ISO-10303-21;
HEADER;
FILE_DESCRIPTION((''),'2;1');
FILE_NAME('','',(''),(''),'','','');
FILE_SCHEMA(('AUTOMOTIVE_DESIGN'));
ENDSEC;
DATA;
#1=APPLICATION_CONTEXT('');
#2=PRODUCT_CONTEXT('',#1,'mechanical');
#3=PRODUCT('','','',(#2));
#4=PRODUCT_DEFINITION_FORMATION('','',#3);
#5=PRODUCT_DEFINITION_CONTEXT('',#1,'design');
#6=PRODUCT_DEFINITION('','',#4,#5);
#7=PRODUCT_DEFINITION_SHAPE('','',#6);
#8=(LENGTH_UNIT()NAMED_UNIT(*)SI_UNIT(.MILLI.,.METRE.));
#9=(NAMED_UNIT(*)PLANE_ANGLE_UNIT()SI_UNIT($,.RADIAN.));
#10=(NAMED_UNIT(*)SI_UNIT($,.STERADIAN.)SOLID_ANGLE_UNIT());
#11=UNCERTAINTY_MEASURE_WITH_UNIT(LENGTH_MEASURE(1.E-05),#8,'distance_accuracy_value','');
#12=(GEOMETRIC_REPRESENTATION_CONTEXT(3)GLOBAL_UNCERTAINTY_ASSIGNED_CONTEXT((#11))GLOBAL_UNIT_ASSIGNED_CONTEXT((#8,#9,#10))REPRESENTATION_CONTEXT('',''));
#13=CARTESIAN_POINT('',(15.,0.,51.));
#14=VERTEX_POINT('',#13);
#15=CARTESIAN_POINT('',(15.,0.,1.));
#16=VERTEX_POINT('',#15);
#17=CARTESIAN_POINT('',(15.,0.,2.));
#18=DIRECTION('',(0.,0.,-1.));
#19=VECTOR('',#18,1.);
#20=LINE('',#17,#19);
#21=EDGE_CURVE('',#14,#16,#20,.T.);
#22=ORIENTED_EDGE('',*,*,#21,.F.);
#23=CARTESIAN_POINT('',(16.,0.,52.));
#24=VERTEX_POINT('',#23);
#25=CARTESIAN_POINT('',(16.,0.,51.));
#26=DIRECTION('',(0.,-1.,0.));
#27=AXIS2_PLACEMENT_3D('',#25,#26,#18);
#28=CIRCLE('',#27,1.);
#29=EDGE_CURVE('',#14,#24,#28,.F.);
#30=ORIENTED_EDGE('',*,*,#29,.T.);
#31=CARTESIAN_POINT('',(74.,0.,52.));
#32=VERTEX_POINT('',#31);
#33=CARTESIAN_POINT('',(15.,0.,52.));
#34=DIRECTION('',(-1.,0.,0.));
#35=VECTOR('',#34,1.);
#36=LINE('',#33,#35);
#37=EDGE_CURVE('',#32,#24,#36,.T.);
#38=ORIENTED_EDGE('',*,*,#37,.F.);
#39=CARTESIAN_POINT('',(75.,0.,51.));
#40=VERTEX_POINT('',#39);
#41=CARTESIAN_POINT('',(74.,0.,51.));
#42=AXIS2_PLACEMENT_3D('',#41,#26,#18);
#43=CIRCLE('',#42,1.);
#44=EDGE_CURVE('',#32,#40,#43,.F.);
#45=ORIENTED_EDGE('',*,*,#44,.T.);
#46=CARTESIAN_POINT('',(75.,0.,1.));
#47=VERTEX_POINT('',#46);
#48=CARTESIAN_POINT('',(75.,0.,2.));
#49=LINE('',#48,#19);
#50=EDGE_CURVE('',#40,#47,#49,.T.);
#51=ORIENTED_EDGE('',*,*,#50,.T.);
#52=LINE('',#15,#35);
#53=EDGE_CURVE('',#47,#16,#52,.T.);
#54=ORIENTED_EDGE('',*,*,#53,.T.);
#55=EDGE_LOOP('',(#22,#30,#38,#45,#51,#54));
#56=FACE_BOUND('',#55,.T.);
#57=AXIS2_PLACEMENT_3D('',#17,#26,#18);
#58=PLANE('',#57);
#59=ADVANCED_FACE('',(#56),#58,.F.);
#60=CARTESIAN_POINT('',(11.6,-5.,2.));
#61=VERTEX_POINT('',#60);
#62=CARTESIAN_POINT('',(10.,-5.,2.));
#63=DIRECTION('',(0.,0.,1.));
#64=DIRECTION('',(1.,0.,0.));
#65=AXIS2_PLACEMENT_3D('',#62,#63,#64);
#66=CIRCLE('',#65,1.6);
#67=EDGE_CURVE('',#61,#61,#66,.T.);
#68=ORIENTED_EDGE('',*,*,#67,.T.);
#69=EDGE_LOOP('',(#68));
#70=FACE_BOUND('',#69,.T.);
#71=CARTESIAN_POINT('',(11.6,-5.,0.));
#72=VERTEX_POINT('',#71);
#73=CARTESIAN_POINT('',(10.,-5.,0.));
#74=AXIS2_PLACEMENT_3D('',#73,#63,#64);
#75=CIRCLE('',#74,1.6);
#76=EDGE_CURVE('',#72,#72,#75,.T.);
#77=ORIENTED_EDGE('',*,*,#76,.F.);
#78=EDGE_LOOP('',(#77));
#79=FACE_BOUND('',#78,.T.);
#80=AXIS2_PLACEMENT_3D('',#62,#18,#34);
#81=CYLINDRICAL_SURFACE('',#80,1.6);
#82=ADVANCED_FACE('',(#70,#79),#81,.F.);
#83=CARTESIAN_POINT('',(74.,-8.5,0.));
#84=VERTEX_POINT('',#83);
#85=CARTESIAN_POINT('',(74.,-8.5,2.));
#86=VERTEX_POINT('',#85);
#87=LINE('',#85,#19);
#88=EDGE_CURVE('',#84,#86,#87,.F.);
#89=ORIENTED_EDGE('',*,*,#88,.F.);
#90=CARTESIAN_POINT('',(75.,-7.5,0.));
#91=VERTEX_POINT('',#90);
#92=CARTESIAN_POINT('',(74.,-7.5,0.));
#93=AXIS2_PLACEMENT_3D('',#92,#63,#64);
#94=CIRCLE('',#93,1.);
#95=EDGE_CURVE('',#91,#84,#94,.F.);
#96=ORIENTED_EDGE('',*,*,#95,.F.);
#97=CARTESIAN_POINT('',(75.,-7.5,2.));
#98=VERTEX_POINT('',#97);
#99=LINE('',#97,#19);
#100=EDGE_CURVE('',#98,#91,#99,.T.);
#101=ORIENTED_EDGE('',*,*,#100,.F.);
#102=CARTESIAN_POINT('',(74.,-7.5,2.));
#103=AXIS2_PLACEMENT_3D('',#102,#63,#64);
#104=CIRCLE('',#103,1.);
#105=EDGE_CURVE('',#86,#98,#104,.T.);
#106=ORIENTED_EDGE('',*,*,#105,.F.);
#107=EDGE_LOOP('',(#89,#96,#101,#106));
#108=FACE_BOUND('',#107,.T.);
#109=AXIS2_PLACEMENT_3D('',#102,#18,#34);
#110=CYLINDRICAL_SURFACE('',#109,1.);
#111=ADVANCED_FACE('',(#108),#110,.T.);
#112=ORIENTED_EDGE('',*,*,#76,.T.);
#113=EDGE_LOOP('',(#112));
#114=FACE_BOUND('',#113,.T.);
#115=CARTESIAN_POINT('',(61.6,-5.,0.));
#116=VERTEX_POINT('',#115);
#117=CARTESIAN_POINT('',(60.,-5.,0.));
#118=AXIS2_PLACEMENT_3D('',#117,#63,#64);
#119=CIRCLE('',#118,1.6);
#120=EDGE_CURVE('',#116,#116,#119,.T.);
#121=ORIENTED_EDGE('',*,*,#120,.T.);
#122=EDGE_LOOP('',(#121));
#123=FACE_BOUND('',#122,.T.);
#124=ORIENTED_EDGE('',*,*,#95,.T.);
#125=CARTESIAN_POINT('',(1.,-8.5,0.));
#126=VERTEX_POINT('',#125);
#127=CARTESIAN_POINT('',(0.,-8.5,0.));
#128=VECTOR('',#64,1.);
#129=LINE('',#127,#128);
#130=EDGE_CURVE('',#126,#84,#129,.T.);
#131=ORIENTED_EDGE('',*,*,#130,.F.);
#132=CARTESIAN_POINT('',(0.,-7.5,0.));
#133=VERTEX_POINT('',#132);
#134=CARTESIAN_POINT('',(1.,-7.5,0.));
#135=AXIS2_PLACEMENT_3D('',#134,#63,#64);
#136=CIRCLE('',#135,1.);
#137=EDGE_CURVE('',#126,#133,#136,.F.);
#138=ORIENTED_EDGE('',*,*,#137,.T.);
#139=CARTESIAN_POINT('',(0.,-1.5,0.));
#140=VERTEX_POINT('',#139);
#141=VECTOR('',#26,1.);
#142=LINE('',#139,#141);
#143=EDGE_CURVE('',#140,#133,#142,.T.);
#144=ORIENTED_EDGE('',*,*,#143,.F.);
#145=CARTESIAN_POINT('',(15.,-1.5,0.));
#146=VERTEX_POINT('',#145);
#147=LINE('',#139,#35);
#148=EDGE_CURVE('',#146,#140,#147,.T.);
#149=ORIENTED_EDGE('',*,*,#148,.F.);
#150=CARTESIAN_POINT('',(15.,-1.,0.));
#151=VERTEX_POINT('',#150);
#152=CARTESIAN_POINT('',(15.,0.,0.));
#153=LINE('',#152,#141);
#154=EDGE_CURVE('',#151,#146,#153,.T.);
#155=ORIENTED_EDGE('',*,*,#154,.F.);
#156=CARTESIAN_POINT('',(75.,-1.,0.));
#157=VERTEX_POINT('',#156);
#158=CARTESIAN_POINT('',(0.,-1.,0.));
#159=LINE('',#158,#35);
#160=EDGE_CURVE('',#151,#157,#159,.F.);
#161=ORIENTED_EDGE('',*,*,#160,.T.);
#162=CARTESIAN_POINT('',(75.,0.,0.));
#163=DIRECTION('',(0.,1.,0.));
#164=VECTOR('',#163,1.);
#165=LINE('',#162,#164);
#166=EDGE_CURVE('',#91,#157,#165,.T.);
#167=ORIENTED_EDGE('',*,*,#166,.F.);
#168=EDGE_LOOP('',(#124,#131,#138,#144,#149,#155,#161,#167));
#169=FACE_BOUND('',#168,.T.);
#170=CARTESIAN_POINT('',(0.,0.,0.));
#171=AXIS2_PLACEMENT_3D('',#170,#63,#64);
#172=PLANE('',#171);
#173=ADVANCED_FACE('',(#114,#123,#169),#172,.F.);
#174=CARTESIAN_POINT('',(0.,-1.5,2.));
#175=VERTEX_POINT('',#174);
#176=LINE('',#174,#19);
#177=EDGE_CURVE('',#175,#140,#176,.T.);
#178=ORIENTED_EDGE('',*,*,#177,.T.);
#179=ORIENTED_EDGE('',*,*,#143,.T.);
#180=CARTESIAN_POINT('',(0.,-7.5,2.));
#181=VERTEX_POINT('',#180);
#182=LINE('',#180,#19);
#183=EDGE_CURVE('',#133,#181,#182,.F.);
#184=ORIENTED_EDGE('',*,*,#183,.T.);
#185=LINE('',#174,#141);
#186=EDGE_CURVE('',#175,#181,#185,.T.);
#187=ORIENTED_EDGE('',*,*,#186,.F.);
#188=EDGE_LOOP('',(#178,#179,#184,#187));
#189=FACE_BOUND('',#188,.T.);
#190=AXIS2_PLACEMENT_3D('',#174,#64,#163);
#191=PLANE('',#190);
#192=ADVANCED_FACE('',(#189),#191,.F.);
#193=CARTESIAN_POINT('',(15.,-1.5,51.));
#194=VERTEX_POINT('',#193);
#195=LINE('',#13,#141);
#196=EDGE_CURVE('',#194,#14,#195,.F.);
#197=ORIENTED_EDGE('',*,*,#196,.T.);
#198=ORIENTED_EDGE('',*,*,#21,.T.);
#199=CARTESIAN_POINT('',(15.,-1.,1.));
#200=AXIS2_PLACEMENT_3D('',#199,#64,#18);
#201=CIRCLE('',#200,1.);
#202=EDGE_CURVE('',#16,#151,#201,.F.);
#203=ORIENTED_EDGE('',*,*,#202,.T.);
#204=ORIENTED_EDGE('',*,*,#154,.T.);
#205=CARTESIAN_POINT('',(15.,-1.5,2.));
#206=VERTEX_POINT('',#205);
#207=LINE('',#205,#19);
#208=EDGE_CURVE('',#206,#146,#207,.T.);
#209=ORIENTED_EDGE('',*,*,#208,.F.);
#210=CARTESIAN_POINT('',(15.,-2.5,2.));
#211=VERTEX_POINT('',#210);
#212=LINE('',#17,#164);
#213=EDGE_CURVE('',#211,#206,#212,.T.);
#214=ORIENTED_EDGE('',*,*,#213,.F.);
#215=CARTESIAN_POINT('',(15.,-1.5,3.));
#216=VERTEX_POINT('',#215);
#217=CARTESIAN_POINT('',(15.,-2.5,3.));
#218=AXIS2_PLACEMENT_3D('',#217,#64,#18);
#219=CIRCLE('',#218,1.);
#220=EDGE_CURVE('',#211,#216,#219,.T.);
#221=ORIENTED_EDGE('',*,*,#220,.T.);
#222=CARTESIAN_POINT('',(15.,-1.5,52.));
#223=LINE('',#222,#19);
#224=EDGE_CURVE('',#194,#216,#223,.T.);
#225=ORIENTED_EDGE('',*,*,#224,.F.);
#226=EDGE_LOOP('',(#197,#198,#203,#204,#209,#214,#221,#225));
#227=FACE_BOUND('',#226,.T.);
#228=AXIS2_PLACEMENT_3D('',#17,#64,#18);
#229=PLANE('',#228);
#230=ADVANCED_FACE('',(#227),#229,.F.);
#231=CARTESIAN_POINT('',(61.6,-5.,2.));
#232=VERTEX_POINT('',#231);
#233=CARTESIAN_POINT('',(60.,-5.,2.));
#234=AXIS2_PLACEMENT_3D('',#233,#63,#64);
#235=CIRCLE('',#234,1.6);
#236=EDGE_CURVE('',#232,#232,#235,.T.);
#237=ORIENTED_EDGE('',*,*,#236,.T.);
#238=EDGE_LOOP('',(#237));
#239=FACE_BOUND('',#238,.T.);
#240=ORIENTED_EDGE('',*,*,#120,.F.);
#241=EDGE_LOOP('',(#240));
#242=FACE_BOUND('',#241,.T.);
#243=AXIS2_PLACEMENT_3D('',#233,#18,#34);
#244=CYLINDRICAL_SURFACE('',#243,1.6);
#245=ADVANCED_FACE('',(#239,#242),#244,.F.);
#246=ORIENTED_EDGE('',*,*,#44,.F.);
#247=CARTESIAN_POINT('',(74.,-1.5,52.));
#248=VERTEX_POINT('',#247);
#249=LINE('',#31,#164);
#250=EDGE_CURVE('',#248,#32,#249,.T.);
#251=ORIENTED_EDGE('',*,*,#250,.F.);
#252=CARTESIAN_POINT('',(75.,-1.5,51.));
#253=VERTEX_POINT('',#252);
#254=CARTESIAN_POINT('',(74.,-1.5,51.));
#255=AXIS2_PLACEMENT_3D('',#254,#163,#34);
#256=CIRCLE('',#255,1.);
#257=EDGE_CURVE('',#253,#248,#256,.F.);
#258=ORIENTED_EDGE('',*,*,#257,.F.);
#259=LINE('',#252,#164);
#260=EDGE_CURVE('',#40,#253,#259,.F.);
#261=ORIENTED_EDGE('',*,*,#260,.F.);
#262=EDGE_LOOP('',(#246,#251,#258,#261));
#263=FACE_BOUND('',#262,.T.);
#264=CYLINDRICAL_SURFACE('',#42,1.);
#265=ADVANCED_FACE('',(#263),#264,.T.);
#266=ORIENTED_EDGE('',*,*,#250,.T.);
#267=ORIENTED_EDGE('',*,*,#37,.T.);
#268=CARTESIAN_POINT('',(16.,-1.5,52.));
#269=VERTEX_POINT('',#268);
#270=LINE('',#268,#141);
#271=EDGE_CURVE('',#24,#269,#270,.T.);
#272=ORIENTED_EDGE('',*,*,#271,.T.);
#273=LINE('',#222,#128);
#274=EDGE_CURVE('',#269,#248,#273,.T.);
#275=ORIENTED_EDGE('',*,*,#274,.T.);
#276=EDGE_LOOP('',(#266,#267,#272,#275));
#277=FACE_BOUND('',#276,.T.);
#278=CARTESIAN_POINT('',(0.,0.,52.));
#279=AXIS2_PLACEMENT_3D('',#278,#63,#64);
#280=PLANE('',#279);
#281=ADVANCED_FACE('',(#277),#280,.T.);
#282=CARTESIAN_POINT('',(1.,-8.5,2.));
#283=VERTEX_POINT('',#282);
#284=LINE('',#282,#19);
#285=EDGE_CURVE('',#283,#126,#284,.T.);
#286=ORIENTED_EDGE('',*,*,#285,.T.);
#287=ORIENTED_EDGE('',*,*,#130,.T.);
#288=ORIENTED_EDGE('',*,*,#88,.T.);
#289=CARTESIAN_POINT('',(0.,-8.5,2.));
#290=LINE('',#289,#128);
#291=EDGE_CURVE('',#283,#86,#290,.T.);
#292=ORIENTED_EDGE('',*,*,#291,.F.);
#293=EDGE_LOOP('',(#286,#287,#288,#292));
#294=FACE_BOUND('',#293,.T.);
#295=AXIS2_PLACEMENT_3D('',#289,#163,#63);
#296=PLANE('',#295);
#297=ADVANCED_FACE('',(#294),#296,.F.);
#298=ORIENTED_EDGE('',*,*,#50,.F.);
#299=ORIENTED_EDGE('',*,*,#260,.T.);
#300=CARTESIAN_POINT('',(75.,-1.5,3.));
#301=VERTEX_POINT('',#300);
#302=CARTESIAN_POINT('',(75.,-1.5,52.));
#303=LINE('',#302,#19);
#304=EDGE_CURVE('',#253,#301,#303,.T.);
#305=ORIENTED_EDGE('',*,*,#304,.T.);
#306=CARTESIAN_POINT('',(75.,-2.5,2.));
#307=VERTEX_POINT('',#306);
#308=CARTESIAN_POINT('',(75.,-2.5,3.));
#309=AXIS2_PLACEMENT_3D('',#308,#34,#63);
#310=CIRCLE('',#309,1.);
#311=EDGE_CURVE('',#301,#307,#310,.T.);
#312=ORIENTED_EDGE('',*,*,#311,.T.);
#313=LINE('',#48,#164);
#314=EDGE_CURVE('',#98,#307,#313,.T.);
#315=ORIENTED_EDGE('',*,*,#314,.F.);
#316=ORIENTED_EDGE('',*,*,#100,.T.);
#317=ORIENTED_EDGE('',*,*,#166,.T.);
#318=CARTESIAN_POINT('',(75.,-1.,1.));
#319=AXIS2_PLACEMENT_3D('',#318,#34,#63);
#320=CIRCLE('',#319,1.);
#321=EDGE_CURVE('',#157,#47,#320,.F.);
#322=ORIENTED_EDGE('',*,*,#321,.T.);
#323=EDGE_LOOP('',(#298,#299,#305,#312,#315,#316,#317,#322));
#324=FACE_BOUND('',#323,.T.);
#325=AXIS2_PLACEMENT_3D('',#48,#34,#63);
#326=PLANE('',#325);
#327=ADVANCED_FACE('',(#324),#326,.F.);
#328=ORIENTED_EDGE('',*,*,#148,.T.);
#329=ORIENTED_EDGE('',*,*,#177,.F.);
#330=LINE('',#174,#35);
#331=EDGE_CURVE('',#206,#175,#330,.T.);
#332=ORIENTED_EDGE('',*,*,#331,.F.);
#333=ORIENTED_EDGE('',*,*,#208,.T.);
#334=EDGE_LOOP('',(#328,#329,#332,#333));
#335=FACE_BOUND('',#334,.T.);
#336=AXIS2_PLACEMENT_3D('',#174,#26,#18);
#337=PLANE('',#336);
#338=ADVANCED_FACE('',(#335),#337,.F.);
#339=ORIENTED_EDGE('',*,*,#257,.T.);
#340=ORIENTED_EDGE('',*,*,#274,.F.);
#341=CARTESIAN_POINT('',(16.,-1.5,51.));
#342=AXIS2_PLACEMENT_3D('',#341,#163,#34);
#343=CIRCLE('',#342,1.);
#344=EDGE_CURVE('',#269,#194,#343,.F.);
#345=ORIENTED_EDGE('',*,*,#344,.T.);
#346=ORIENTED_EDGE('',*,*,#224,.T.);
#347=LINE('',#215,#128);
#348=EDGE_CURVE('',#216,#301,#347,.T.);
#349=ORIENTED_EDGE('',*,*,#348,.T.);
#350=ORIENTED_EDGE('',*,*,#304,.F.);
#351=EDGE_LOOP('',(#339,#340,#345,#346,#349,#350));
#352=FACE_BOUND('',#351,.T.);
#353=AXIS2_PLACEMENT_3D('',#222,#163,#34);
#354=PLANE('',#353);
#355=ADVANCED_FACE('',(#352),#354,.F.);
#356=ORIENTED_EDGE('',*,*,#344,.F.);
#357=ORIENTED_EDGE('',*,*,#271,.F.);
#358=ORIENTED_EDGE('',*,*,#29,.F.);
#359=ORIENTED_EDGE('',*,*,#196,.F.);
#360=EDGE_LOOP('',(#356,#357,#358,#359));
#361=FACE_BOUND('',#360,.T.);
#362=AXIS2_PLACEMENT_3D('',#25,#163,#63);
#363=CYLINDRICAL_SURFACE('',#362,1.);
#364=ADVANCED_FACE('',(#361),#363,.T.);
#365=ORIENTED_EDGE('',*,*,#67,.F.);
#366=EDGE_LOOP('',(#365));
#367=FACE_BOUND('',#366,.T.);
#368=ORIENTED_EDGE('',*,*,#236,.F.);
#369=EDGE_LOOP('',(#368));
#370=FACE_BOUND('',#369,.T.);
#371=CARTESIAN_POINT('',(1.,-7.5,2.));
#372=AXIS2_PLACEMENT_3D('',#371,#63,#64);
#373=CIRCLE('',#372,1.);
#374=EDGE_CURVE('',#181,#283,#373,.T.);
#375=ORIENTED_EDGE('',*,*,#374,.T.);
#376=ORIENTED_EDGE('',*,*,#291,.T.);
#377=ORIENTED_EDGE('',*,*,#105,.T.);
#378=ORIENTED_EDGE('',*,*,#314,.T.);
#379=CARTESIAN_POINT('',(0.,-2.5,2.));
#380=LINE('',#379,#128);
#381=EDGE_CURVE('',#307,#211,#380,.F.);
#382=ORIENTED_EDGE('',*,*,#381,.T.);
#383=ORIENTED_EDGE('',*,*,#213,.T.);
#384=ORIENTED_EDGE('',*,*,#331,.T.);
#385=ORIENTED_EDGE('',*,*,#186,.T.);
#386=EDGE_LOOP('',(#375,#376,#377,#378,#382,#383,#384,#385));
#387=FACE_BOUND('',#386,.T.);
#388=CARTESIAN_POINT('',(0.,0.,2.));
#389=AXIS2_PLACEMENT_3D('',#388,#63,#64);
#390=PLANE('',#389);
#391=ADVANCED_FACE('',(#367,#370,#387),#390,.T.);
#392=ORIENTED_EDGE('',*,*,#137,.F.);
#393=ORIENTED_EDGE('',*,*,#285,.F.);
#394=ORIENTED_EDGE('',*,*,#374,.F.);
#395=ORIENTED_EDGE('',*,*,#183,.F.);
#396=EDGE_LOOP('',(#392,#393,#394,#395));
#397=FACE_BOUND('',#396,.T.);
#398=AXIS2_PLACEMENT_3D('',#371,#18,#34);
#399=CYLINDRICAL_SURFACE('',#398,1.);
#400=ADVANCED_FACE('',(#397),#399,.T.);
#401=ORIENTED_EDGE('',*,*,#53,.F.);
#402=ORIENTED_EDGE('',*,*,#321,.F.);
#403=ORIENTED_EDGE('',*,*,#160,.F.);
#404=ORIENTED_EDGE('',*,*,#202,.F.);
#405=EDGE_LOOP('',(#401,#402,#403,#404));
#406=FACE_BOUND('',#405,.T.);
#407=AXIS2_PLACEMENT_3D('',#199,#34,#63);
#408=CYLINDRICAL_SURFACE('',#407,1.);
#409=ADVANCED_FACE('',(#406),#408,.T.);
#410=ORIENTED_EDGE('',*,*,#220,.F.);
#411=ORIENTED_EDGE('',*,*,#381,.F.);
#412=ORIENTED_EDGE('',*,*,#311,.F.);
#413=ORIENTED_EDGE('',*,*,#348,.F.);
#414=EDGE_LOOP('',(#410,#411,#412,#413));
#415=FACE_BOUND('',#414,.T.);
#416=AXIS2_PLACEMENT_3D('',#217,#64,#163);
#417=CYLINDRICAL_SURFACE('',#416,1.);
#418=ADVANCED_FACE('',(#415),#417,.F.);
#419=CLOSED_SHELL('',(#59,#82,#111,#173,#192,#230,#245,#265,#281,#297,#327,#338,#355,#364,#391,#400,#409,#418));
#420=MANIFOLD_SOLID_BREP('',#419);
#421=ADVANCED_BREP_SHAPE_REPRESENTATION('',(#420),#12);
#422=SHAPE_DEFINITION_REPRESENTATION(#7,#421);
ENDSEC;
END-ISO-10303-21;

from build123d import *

# Parameters (mm, degrees)
SKETCH_1_R      = 1.6
EXTRUDE_1_DEPTH = 2
SKETCH_2_W      = 60
SKETCH_2_H      = 1.5
EXTRUDE_2_DEPTH = 50
FILLET_1_R      = 1


with BuildPart() as part:
    # 草图1 → 凸台-拉伸1 (new body)
    with BuildSketch(Plane.XY):
        Polygon((15, 0), (75, 0), (75, -8.5), (0, -8.5), (0, -1.5), (15, -1.5), align=None)
        with Locations((10, -5)):
            Circle(SKETCH_1_R, mode=Mode.SUBTRACT)
        with Locations((60, -5)):
            Circle(SKETCH_1_R, mode=Mode.SUBTRACT)
    extrude(amount=EXTRUDE_1_DEPTH)

    # 草图2 → 凸台-拉伸2 (add)
    with BuildSketch(Plane.XY.offset(2)):
        with Locations((45, -0.75)):
            Rectangle(SKETCH_2_W, SKETCH_2_H)
    extrude(amount=EXTRUDE_2_DEPTH)

    # 圆角1
    fillet_1_edges = [part.edges().sort_by_distance(p)[0] for p in [
        (75, -8.5, 1),
        (0, -8.5, 1),
        (45, -1.5, 2),
        (15, -0.75, 52),
        (75, -0.75, 52),
        (45, 0, 0),
    ]]
    fillet(fillet_1_edges, radius=FILLET_1_R)


solid = part.part
